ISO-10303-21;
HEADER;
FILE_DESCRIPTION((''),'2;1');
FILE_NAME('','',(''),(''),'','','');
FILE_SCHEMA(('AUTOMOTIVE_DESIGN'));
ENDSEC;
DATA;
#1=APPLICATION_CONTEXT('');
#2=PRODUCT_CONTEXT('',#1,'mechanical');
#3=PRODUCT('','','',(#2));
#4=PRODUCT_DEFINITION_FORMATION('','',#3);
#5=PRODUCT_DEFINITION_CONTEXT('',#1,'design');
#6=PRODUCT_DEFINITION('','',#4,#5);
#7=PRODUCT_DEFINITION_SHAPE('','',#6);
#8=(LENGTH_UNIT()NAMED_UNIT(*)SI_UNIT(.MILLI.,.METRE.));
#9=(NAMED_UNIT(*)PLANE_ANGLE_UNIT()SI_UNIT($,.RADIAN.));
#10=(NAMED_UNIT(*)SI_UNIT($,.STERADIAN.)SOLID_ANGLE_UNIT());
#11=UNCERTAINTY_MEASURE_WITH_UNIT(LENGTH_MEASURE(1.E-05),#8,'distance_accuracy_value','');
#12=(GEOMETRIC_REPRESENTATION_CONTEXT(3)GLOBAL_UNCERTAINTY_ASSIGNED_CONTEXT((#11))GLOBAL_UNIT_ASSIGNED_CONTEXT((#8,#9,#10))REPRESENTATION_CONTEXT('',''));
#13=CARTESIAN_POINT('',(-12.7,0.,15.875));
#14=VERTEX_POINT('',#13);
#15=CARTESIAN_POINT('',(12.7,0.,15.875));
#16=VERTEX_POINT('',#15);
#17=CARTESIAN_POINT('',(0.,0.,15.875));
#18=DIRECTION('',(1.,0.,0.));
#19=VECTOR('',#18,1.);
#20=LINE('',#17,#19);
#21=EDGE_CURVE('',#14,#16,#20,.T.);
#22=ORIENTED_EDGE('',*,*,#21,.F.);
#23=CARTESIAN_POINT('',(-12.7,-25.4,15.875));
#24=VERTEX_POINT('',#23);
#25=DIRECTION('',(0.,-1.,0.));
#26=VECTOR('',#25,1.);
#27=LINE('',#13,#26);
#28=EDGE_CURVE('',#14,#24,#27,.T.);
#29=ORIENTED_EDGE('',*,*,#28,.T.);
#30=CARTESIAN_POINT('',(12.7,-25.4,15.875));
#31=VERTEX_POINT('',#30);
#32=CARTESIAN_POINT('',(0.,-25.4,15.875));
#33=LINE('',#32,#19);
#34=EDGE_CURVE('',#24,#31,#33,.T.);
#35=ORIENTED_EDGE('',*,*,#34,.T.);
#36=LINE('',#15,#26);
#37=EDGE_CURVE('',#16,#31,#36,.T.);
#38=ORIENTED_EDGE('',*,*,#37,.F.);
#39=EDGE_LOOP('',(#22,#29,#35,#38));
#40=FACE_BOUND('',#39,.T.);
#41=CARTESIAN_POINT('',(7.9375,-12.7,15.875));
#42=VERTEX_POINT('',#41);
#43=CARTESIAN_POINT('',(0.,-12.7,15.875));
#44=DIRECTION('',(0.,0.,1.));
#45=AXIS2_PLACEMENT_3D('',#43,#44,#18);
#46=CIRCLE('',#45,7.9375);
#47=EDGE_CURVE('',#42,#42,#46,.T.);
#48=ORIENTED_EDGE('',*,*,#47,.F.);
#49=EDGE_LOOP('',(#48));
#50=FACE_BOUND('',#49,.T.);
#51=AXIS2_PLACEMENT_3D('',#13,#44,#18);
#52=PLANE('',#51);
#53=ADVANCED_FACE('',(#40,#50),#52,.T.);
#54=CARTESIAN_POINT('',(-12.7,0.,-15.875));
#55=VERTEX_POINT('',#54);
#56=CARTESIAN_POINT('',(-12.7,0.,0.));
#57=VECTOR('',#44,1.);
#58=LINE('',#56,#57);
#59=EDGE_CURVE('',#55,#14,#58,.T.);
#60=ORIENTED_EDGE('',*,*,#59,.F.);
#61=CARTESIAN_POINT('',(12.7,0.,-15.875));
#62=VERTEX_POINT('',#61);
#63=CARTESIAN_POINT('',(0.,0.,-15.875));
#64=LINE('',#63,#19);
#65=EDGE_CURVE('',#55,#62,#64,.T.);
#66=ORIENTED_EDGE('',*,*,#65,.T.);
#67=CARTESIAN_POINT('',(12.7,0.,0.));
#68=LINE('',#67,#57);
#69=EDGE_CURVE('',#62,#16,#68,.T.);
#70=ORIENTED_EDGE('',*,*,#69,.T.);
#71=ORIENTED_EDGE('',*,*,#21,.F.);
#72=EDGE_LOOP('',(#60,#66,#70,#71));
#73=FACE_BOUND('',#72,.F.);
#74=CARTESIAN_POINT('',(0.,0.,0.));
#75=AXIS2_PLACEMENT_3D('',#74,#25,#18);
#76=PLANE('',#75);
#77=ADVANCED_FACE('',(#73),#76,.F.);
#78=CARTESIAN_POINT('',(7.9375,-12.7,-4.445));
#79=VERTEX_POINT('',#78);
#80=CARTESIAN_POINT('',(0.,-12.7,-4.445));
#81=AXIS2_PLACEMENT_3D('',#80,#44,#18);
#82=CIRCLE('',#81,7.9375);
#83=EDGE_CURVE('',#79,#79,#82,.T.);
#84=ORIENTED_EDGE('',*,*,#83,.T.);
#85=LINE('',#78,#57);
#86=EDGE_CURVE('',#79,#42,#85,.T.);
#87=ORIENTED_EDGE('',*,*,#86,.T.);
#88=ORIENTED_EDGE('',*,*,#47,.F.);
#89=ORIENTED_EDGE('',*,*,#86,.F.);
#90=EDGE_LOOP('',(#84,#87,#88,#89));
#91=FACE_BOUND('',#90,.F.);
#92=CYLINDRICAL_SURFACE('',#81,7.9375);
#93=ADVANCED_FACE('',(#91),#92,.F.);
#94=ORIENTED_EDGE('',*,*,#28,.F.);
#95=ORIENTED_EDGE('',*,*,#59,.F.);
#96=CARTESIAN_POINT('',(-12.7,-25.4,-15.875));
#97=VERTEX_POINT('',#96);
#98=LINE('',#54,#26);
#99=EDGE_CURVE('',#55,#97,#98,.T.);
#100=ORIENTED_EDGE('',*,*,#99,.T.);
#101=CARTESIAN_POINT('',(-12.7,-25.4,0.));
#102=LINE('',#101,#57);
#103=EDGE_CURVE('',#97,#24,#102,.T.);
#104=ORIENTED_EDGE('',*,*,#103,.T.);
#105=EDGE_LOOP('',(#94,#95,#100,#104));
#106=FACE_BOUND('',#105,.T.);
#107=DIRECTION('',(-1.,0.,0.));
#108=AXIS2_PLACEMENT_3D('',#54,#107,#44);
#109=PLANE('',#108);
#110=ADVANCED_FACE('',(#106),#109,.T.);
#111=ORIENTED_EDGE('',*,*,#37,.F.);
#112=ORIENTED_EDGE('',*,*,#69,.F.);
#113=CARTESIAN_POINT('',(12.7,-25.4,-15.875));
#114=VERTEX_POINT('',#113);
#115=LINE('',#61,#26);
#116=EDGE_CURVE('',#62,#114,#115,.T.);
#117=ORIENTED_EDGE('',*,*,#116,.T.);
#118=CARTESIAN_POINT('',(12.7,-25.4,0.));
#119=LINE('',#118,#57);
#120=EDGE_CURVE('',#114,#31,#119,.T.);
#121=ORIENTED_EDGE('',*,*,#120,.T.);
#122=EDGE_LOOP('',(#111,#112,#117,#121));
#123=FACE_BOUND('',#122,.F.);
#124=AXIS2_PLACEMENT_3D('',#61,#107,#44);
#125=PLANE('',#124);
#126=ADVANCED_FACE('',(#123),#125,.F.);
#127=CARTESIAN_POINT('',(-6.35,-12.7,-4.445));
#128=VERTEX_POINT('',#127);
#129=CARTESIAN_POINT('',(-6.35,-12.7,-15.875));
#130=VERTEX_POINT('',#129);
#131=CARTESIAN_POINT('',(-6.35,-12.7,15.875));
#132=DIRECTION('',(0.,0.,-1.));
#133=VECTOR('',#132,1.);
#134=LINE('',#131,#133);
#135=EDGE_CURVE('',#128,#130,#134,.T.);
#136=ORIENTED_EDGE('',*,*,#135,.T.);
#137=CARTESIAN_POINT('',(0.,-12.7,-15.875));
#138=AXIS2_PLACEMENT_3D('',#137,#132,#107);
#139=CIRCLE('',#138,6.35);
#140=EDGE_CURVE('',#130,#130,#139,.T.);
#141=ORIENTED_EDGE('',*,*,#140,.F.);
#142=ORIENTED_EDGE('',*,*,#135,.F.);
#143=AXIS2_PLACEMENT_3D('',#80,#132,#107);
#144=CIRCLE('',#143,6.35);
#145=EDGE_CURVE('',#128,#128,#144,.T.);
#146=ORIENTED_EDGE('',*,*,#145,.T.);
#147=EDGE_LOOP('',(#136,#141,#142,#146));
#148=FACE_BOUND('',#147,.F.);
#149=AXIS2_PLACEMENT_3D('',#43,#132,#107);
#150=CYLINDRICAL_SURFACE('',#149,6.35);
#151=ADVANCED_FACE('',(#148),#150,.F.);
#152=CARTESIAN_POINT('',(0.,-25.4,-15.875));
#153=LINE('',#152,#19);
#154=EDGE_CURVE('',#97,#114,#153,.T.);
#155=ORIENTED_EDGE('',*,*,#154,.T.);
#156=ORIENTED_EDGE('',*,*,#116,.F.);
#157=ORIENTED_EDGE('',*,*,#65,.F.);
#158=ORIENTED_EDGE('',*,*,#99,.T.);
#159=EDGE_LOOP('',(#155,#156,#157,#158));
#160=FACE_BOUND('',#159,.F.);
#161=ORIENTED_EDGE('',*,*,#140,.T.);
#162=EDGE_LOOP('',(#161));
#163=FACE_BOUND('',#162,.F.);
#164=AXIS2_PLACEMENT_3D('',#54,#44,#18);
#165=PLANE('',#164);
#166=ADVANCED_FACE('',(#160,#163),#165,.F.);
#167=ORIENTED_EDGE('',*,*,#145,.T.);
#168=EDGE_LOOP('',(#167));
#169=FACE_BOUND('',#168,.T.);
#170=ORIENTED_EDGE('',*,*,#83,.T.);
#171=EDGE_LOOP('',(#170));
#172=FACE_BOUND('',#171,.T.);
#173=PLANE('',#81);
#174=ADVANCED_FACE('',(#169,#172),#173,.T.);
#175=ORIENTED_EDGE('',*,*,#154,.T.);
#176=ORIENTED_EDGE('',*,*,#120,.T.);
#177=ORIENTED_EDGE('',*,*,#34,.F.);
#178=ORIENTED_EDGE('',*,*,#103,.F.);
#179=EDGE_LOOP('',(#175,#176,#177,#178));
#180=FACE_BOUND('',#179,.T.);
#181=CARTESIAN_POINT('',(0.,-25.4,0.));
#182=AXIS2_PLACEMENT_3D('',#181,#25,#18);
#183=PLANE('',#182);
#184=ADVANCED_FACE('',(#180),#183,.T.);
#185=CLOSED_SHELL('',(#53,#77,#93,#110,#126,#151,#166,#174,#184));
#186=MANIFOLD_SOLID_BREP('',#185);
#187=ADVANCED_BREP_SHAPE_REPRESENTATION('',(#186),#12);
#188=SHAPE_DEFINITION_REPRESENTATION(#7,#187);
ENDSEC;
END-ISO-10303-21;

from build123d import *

# Parameters (mm, degrees)
F0_W           = 25.4
F0_H           = 31.75
F1_DEPTH       = 25.4
F3_D           = 12.7
F3_CBORE_D     = 15.875
F3_CBORE_DEPTH = 20.32


with BuildPart() as f1:
    # F0 (on Front) → F1 (new body)
    with BuildSketch(Plane.XZ):
        Rectangle(F0_W, F0_H)
    extrude(amount=F1_DEPTH)

    # F3 (through all)
    with Locations(Plane.XY.offset(15.875)):
        with Locations((0, -12.7)):
            CounterBoreHole(F3_D / 2, F3_CBORE_D / 2, F3_CBORE_DEPTH)


solid = f1.part
